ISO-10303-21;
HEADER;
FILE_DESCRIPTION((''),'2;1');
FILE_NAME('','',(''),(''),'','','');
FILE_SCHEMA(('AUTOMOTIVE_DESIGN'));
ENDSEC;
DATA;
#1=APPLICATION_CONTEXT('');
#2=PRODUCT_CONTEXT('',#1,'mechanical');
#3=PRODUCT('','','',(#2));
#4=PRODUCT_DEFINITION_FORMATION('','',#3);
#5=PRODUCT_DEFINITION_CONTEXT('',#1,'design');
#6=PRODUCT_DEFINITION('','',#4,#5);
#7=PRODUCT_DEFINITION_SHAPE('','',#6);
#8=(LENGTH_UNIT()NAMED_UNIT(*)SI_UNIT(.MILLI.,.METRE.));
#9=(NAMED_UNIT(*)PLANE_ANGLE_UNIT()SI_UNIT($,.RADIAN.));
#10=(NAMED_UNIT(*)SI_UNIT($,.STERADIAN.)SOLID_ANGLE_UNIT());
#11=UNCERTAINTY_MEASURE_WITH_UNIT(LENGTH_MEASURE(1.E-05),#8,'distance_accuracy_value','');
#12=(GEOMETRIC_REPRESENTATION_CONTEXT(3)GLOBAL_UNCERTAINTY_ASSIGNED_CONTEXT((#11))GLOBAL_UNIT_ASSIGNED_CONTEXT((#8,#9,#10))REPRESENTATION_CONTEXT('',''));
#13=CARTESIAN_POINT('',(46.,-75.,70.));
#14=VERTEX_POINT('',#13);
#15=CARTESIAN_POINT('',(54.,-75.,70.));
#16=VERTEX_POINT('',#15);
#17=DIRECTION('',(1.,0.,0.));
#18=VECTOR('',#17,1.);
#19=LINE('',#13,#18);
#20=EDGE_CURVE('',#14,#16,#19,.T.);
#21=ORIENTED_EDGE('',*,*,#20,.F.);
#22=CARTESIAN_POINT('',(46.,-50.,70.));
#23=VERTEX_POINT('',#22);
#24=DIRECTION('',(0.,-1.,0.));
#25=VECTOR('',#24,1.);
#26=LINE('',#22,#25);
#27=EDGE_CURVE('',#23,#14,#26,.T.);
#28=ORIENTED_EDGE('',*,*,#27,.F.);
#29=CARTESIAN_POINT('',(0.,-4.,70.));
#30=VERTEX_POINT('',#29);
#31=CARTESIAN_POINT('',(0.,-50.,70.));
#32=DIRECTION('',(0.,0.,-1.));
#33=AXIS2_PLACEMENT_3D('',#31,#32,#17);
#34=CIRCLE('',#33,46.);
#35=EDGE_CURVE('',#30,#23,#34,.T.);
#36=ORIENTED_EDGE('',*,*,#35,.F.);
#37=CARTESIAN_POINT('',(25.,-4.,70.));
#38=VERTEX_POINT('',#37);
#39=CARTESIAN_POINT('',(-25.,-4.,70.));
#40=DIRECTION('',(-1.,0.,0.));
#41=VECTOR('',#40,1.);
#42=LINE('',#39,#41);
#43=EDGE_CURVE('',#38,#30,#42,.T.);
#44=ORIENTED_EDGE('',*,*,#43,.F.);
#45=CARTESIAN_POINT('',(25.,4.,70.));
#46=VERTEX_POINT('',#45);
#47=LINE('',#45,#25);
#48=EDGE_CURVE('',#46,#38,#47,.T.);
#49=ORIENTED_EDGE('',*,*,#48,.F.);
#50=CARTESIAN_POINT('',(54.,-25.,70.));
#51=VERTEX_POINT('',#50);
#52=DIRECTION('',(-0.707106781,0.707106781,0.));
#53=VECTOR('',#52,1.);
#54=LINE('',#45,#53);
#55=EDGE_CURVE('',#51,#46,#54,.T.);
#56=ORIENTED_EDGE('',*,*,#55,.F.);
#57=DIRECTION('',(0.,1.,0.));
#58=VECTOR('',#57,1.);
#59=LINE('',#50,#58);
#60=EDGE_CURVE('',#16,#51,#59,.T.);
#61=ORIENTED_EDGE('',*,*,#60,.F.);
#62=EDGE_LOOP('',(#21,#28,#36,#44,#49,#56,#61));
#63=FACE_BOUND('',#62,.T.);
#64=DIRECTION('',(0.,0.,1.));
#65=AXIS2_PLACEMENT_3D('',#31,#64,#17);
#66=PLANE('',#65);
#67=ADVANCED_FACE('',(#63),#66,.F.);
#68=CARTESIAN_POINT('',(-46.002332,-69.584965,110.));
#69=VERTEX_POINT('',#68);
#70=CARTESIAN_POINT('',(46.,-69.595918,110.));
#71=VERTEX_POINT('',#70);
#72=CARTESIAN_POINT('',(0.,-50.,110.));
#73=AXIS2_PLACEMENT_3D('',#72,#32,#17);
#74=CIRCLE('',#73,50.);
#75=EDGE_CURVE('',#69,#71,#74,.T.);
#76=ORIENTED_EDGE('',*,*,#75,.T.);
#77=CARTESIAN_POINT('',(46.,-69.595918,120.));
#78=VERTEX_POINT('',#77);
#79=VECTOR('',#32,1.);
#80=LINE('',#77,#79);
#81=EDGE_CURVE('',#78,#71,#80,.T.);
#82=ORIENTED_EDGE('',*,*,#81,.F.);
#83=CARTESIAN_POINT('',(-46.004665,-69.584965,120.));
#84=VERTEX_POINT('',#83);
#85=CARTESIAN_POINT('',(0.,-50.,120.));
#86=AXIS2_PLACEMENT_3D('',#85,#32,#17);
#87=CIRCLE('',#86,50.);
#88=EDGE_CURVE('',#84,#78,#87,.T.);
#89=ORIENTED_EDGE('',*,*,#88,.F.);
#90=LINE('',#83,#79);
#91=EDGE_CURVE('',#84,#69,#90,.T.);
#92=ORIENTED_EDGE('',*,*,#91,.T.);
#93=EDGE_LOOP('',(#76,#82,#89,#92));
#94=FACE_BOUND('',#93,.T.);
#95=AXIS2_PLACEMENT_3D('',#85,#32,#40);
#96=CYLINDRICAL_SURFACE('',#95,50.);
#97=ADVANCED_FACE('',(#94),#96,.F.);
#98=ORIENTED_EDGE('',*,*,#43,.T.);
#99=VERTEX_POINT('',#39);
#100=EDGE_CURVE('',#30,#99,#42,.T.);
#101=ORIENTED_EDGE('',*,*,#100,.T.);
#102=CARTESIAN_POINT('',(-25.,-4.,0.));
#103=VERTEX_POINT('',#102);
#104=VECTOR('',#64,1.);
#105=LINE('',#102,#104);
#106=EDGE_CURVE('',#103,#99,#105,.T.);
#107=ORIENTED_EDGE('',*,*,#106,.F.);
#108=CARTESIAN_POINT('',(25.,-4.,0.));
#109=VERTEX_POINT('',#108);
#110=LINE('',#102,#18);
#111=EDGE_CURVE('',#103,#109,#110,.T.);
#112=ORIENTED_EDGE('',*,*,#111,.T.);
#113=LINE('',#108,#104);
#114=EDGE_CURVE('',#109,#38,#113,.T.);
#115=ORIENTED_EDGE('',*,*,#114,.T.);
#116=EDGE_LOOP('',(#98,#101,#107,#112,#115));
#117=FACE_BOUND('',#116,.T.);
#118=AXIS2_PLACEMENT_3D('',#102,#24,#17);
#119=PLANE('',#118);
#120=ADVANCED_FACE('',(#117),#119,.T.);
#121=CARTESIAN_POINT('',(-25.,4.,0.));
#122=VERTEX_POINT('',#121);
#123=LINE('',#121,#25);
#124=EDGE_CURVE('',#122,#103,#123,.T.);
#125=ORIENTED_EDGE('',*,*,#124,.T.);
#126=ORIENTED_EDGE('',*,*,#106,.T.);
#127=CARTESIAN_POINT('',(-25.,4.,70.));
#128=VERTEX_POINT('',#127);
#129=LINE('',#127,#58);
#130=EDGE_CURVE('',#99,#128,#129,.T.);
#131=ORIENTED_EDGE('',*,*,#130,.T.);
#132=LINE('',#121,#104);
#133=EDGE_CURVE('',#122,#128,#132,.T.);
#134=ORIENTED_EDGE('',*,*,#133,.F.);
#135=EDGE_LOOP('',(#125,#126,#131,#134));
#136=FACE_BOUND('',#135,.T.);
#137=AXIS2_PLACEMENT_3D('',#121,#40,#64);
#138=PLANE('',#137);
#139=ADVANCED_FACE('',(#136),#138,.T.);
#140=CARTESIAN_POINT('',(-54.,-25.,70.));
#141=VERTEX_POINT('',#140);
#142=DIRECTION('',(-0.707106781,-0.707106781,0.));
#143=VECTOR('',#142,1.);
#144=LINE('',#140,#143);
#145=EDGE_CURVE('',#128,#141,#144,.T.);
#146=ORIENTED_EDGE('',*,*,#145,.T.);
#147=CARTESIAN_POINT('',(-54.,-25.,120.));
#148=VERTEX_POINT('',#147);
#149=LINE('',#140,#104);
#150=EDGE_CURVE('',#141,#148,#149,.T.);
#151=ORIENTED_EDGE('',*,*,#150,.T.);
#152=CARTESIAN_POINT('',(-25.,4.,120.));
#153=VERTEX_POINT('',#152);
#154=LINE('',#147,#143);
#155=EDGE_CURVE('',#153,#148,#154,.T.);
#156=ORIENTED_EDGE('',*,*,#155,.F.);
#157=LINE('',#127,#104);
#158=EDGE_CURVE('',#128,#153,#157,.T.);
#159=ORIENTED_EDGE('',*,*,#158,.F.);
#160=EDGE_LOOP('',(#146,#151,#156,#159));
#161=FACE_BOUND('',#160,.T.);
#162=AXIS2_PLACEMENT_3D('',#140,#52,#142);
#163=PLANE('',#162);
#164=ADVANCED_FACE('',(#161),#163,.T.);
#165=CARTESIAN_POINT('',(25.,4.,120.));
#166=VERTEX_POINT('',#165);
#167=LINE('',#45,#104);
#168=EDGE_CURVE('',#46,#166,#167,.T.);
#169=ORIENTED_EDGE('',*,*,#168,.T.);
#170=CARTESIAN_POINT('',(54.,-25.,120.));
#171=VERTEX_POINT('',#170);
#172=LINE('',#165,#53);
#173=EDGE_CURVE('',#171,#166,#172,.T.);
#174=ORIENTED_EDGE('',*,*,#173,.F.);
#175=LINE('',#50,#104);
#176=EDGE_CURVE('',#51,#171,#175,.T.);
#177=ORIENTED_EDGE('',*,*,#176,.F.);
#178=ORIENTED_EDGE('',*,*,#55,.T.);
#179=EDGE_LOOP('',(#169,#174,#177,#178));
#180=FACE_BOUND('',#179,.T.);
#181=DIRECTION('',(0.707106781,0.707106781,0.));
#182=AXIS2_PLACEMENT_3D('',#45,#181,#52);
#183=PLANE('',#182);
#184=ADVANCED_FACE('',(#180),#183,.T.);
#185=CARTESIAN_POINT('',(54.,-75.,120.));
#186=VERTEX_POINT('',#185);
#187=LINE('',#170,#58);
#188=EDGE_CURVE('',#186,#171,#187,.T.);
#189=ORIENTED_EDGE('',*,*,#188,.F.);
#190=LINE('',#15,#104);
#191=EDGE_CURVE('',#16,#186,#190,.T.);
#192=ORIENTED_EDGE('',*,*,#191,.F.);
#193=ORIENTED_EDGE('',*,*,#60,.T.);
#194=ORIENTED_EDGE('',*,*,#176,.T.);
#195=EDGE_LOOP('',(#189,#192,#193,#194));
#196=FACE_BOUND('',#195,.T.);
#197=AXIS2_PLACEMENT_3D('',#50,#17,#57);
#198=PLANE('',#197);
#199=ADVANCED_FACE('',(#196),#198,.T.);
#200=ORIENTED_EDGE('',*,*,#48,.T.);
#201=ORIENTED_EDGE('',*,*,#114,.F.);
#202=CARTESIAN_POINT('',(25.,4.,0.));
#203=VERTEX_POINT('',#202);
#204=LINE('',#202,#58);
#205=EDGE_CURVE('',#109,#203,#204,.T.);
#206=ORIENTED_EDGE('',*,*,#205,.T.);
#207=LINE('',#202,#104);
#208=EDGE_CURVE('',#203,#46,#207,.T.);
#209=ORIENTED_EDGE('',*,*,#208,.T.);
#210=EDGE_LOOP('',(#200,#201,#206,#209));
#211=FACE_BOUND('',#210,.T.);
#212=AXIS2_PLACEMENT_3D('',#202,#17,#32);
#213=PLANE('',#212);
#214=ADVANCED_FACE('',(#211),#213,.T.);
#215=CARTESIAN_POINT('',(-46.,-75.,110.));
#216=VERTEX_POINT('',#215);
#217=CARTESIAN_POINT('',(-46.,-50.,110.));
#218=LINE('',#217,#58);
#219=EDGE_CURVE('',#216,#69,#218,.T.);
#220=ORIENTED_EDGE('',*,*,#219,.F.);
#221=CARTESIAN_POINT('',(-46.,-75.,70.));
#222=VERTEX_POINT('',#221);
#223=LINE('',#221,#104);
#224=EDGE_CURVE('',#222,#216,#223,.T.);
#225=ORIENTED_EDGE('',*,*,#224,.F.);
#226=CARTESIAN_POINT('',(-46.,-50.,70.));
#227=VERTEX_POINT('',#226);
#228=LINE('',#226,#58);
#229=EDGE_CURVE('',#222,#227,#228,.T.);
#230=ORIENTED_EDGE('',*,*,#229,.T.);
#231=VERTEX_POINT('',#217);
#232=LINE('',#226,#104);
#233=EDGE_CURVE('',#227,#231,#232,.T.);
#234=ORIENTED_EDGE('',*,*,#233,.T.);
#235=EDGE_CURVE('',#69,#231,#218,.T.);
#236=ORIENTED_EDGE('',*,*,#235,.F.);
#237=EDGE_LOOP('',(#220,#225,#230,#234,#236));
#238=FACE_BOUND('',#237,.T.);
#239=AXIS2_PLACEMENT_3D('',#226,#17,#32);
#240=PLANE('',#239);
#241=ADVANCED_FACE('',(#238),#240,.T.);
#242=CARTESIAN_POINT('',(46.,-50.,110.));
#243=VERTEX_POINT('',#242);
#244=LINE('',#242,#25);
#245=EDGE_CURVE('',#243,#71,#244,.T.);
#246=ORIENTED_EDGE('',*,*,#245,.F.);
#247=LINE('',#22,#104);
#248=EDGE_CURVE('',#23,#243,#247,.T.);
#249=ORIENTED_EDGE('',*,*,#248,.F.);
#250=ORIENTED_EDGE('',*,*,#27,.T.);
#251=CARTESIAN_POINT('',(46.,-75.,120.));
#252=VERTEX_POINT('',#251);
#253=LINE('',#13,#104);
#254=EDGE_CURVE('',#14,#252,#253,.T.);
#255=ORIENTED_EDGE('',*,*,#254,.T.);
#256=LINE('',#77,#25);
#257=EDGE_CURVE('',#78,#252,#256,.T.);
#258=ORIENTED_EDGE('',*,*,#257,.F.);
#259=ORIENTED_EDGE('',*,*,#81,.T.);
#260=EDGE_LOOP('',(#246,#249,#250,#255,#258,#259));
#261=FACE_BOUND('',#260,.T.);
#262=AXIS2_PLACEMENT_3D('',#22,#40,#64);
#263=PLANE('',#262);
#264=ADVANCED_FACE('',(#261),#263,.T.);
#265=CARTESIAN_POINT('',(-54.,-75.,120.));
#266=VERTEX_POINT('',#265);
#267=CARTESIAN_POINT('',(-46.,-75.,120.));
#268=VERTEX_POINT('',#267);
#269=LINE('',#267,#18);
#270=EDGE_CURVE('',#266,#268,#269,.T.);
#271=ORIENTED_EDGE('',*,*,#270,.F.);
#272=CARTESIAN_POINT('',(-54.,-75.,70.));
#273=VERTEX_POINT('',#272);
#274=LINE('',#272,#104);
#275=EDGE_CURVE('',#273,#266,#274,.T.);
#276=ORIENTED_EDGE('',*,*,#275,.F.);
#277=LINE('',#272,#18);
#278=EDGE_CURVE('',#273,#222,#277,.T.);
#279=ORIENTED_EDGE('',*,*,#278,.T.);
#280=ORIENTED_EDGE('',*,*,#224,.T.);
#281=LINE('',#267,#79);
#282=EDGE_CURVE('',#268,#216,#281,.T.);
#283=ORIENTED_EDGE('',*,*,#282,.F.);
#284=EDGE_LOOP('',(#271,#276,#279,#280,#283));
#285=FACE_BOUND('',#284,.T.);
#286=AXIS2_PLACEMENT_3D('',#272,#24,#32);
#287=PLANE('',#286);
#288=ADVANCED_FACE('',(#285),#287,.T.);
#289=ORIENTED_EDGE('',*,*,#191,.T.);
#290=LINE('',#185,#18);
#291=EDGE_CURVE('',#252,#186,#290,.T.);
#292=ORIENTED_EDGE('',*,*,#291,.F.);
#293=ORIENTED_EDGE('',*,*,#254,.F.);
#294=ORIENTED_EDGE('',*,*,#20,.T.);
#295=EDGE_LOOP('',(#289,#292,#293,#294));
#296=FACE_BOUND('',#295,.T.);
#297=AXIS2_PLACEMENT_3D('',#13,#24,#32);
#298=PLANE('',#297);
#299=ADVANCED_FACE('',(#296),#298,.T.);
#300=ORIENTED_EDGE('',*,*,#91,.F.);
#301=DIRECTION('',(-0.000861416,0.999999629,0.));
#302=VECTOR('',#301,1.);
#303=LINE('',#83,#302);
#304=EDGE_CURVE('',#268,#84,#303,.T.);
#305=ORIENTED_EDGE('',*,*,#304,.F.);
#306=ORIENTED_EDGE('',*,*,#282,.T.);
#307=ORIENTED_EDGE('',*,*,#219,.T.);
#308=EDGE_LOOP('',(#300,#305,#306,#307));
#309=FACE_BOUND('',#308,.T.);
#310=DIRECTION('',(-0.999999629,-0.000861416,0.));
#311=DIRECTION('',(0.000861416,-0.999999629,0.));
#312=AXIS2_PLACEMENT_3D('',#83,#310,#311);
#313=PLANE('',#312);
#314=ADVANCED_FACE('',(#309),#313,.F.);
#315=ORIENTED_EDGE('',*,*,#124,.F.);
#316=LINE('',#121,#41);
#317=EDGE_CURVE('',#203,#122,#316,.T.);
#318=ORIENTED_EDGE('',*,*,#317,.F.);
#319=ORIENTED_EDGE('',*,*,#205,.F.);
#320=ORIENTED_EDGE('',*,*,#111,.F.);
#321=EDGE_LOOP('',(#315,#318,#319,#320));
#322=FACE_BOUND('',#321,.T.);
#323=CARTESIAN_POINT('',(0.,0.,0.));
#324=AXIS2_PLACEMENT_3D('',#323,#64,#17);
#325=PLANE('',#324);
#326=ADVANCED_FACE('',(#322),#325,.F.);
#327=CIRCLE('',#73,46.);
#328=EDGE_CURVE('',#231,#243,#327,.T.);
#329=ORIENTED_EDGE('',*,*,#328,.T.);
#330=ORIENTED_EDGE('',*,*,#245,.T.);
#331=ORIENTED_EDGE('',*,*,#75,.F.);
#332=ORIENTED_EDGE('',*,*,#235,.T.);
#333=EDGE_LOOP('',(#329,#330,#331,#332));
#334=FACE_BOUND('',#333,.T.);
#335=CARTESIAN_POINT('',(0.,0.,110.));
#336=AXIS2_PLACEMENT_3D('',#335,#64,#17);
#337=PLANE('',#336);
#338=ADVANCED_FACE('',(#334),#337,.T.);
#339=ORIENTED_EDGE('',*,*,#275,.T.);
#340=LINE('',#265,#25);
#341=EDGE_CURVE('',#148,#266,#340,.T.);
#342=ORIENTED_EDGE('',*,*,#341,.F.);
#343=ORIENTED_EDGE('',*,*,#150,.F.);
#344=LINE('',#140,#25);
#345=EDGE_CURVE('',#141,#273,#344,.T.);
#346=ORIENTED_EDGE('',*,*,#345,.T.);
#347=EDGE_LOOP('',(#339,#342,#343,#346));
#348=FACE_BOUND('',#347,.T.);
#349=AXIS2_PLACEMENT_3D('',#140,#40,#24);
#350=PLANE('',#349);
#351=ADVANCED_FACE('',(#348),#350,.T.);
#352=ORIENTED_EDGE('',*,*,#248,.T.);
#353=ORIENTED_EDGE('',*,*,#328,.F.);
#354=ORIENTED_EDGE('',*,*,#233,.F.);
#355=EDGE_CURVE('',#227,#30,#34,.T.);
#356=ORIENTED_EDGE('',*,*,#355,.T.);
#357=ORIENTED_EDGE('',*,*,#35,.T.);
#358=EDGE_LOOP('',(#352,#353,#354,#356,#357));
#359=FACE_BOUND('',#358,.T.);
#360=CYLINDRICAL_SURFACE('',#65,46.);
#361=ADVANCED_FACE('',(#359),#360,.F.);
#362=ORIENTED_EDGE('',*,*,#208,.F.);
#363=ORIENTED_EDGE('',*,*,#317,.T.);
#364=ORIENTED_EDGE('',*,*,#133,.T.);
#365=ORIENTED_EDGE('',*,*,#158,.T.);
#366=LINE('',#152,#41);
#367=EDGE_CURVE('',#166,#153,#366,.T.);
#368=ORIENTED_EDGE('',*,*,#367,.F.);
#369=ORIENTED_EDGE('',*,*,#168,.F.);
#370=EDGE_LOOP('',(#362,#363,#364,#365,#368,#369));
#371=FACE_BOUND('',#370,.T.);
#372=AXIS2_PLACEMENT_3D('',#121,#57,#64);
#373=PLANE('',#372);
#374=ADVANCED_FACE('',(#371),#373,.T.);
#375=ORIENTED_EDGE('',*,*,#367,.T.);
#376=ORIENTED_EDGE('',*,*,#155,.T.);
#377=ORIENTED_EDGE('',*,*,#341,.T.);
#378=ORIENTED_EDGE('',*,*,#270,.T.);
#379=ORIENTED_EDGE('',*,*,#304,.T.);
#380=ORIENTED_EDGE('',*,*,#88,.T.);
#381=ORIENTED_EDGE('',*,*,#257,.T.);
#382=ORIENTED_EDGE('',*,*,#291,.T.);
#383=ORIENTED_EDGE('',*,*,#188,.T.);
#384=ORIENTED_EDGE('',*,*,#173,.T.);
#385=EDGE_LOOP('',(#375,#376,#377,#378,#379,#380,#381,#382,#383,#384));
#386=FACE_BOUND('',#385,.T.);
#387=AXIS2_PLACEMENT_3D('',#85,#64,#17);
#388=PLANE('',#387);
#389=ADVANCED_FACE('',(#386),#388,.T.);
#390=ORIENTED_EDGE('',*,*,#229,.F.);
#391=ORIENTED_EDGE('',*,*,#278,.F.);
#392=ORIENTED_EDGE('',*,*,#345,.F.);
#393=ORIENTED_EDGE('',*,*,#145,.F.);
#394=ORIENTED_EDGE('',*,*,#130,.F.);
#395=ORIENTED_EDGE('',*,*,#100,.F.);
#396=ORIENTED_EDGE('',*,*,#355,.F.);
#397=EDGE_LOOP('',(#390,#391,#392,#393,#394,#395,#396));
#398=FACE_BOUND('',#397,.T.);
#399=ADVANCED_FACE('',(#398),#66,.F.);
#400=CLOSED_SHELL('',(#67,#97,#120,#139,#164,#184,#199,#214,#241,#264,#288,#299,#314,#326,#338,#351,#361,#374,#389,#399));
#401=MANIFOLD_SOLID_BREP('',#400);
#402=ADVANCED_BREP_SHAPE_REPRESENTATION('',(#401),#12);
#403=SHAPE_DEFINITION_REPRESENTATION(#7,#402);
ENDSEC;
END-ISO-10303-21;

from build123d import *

# Parameters (mm, degrees)
SKETCH_1_W      = 50
SKETCH_1_H      = 8
EXTRUDE_1_DEPTH = 40
EXTRUDE_2_DEPTH = 10


with BuildPart() as part:
    # 扫描1: sweep along a path in 草图2
    with BuildLine(Plane(origin=(0, 0, 0), x_dir=(0, 0, -1), z_dir=(1, 0, 0))) as sweep_1_path:
        Line((0, 55.298323556), (-110, 55.298323556))
    # 草图1 → 扫描1 (sweep)
    with BuildSketch(Plane.XY):
        Rectangle(SKETCH_1_W, SKETCH_1_H)
    sweep(path=sweep_1_path.line)

    # 草图4 → 凸台-拉伸1 (add)
    with BuildSketch(Plane.XY.offset(110)):
        with BuildLine():
            Line((-54, -25), (-25, 4))
            Line((-25, 4), (25, 4))
            Line((25, 4), (54, -25))
            Line((54, -25), (54, -75))
            Line((54, -75), (46, -75))
            Line((46, -75), (46, -50))
            ThreePointArc((46, -50), (0, -4), (-46, -50))
            Line((-46, -50), (-46, -75))
            Line((-46, -75), (-54, -75))
            Line((-54, -75), (-54, -25))
        make_face()
    extrude(amount=-EXTRUDE_1_DEPTH)

    # 草图5 → 凸台-拉伸2 (add)
    with BuildSketch(Plane.XY.offset(110)):
        with BuildLine():
            Line((-46.0046646, -69.584964515), (-46, -75))
            Line((-46, -75), (-54, -75))
            Line((-54, -75), (-54, -25))
            Line((-54, -25), (-25, 4))
            Line((-25, 4), (25, 4))
            Line((25, 4), (54, -25))
            Line((54, -25), (54, -75))
            Line((54, -75), (46, -75))
            Line((46, -75), (46, -69.595917942))
            ThreePointArc((46, -69.595917942), (0.005952648, -3.54e-07), (-46.0046646, -69.584964515))
        make_face()
    extrude(amount=EXTRUDE_2_DEPTH)


solid = part.part
